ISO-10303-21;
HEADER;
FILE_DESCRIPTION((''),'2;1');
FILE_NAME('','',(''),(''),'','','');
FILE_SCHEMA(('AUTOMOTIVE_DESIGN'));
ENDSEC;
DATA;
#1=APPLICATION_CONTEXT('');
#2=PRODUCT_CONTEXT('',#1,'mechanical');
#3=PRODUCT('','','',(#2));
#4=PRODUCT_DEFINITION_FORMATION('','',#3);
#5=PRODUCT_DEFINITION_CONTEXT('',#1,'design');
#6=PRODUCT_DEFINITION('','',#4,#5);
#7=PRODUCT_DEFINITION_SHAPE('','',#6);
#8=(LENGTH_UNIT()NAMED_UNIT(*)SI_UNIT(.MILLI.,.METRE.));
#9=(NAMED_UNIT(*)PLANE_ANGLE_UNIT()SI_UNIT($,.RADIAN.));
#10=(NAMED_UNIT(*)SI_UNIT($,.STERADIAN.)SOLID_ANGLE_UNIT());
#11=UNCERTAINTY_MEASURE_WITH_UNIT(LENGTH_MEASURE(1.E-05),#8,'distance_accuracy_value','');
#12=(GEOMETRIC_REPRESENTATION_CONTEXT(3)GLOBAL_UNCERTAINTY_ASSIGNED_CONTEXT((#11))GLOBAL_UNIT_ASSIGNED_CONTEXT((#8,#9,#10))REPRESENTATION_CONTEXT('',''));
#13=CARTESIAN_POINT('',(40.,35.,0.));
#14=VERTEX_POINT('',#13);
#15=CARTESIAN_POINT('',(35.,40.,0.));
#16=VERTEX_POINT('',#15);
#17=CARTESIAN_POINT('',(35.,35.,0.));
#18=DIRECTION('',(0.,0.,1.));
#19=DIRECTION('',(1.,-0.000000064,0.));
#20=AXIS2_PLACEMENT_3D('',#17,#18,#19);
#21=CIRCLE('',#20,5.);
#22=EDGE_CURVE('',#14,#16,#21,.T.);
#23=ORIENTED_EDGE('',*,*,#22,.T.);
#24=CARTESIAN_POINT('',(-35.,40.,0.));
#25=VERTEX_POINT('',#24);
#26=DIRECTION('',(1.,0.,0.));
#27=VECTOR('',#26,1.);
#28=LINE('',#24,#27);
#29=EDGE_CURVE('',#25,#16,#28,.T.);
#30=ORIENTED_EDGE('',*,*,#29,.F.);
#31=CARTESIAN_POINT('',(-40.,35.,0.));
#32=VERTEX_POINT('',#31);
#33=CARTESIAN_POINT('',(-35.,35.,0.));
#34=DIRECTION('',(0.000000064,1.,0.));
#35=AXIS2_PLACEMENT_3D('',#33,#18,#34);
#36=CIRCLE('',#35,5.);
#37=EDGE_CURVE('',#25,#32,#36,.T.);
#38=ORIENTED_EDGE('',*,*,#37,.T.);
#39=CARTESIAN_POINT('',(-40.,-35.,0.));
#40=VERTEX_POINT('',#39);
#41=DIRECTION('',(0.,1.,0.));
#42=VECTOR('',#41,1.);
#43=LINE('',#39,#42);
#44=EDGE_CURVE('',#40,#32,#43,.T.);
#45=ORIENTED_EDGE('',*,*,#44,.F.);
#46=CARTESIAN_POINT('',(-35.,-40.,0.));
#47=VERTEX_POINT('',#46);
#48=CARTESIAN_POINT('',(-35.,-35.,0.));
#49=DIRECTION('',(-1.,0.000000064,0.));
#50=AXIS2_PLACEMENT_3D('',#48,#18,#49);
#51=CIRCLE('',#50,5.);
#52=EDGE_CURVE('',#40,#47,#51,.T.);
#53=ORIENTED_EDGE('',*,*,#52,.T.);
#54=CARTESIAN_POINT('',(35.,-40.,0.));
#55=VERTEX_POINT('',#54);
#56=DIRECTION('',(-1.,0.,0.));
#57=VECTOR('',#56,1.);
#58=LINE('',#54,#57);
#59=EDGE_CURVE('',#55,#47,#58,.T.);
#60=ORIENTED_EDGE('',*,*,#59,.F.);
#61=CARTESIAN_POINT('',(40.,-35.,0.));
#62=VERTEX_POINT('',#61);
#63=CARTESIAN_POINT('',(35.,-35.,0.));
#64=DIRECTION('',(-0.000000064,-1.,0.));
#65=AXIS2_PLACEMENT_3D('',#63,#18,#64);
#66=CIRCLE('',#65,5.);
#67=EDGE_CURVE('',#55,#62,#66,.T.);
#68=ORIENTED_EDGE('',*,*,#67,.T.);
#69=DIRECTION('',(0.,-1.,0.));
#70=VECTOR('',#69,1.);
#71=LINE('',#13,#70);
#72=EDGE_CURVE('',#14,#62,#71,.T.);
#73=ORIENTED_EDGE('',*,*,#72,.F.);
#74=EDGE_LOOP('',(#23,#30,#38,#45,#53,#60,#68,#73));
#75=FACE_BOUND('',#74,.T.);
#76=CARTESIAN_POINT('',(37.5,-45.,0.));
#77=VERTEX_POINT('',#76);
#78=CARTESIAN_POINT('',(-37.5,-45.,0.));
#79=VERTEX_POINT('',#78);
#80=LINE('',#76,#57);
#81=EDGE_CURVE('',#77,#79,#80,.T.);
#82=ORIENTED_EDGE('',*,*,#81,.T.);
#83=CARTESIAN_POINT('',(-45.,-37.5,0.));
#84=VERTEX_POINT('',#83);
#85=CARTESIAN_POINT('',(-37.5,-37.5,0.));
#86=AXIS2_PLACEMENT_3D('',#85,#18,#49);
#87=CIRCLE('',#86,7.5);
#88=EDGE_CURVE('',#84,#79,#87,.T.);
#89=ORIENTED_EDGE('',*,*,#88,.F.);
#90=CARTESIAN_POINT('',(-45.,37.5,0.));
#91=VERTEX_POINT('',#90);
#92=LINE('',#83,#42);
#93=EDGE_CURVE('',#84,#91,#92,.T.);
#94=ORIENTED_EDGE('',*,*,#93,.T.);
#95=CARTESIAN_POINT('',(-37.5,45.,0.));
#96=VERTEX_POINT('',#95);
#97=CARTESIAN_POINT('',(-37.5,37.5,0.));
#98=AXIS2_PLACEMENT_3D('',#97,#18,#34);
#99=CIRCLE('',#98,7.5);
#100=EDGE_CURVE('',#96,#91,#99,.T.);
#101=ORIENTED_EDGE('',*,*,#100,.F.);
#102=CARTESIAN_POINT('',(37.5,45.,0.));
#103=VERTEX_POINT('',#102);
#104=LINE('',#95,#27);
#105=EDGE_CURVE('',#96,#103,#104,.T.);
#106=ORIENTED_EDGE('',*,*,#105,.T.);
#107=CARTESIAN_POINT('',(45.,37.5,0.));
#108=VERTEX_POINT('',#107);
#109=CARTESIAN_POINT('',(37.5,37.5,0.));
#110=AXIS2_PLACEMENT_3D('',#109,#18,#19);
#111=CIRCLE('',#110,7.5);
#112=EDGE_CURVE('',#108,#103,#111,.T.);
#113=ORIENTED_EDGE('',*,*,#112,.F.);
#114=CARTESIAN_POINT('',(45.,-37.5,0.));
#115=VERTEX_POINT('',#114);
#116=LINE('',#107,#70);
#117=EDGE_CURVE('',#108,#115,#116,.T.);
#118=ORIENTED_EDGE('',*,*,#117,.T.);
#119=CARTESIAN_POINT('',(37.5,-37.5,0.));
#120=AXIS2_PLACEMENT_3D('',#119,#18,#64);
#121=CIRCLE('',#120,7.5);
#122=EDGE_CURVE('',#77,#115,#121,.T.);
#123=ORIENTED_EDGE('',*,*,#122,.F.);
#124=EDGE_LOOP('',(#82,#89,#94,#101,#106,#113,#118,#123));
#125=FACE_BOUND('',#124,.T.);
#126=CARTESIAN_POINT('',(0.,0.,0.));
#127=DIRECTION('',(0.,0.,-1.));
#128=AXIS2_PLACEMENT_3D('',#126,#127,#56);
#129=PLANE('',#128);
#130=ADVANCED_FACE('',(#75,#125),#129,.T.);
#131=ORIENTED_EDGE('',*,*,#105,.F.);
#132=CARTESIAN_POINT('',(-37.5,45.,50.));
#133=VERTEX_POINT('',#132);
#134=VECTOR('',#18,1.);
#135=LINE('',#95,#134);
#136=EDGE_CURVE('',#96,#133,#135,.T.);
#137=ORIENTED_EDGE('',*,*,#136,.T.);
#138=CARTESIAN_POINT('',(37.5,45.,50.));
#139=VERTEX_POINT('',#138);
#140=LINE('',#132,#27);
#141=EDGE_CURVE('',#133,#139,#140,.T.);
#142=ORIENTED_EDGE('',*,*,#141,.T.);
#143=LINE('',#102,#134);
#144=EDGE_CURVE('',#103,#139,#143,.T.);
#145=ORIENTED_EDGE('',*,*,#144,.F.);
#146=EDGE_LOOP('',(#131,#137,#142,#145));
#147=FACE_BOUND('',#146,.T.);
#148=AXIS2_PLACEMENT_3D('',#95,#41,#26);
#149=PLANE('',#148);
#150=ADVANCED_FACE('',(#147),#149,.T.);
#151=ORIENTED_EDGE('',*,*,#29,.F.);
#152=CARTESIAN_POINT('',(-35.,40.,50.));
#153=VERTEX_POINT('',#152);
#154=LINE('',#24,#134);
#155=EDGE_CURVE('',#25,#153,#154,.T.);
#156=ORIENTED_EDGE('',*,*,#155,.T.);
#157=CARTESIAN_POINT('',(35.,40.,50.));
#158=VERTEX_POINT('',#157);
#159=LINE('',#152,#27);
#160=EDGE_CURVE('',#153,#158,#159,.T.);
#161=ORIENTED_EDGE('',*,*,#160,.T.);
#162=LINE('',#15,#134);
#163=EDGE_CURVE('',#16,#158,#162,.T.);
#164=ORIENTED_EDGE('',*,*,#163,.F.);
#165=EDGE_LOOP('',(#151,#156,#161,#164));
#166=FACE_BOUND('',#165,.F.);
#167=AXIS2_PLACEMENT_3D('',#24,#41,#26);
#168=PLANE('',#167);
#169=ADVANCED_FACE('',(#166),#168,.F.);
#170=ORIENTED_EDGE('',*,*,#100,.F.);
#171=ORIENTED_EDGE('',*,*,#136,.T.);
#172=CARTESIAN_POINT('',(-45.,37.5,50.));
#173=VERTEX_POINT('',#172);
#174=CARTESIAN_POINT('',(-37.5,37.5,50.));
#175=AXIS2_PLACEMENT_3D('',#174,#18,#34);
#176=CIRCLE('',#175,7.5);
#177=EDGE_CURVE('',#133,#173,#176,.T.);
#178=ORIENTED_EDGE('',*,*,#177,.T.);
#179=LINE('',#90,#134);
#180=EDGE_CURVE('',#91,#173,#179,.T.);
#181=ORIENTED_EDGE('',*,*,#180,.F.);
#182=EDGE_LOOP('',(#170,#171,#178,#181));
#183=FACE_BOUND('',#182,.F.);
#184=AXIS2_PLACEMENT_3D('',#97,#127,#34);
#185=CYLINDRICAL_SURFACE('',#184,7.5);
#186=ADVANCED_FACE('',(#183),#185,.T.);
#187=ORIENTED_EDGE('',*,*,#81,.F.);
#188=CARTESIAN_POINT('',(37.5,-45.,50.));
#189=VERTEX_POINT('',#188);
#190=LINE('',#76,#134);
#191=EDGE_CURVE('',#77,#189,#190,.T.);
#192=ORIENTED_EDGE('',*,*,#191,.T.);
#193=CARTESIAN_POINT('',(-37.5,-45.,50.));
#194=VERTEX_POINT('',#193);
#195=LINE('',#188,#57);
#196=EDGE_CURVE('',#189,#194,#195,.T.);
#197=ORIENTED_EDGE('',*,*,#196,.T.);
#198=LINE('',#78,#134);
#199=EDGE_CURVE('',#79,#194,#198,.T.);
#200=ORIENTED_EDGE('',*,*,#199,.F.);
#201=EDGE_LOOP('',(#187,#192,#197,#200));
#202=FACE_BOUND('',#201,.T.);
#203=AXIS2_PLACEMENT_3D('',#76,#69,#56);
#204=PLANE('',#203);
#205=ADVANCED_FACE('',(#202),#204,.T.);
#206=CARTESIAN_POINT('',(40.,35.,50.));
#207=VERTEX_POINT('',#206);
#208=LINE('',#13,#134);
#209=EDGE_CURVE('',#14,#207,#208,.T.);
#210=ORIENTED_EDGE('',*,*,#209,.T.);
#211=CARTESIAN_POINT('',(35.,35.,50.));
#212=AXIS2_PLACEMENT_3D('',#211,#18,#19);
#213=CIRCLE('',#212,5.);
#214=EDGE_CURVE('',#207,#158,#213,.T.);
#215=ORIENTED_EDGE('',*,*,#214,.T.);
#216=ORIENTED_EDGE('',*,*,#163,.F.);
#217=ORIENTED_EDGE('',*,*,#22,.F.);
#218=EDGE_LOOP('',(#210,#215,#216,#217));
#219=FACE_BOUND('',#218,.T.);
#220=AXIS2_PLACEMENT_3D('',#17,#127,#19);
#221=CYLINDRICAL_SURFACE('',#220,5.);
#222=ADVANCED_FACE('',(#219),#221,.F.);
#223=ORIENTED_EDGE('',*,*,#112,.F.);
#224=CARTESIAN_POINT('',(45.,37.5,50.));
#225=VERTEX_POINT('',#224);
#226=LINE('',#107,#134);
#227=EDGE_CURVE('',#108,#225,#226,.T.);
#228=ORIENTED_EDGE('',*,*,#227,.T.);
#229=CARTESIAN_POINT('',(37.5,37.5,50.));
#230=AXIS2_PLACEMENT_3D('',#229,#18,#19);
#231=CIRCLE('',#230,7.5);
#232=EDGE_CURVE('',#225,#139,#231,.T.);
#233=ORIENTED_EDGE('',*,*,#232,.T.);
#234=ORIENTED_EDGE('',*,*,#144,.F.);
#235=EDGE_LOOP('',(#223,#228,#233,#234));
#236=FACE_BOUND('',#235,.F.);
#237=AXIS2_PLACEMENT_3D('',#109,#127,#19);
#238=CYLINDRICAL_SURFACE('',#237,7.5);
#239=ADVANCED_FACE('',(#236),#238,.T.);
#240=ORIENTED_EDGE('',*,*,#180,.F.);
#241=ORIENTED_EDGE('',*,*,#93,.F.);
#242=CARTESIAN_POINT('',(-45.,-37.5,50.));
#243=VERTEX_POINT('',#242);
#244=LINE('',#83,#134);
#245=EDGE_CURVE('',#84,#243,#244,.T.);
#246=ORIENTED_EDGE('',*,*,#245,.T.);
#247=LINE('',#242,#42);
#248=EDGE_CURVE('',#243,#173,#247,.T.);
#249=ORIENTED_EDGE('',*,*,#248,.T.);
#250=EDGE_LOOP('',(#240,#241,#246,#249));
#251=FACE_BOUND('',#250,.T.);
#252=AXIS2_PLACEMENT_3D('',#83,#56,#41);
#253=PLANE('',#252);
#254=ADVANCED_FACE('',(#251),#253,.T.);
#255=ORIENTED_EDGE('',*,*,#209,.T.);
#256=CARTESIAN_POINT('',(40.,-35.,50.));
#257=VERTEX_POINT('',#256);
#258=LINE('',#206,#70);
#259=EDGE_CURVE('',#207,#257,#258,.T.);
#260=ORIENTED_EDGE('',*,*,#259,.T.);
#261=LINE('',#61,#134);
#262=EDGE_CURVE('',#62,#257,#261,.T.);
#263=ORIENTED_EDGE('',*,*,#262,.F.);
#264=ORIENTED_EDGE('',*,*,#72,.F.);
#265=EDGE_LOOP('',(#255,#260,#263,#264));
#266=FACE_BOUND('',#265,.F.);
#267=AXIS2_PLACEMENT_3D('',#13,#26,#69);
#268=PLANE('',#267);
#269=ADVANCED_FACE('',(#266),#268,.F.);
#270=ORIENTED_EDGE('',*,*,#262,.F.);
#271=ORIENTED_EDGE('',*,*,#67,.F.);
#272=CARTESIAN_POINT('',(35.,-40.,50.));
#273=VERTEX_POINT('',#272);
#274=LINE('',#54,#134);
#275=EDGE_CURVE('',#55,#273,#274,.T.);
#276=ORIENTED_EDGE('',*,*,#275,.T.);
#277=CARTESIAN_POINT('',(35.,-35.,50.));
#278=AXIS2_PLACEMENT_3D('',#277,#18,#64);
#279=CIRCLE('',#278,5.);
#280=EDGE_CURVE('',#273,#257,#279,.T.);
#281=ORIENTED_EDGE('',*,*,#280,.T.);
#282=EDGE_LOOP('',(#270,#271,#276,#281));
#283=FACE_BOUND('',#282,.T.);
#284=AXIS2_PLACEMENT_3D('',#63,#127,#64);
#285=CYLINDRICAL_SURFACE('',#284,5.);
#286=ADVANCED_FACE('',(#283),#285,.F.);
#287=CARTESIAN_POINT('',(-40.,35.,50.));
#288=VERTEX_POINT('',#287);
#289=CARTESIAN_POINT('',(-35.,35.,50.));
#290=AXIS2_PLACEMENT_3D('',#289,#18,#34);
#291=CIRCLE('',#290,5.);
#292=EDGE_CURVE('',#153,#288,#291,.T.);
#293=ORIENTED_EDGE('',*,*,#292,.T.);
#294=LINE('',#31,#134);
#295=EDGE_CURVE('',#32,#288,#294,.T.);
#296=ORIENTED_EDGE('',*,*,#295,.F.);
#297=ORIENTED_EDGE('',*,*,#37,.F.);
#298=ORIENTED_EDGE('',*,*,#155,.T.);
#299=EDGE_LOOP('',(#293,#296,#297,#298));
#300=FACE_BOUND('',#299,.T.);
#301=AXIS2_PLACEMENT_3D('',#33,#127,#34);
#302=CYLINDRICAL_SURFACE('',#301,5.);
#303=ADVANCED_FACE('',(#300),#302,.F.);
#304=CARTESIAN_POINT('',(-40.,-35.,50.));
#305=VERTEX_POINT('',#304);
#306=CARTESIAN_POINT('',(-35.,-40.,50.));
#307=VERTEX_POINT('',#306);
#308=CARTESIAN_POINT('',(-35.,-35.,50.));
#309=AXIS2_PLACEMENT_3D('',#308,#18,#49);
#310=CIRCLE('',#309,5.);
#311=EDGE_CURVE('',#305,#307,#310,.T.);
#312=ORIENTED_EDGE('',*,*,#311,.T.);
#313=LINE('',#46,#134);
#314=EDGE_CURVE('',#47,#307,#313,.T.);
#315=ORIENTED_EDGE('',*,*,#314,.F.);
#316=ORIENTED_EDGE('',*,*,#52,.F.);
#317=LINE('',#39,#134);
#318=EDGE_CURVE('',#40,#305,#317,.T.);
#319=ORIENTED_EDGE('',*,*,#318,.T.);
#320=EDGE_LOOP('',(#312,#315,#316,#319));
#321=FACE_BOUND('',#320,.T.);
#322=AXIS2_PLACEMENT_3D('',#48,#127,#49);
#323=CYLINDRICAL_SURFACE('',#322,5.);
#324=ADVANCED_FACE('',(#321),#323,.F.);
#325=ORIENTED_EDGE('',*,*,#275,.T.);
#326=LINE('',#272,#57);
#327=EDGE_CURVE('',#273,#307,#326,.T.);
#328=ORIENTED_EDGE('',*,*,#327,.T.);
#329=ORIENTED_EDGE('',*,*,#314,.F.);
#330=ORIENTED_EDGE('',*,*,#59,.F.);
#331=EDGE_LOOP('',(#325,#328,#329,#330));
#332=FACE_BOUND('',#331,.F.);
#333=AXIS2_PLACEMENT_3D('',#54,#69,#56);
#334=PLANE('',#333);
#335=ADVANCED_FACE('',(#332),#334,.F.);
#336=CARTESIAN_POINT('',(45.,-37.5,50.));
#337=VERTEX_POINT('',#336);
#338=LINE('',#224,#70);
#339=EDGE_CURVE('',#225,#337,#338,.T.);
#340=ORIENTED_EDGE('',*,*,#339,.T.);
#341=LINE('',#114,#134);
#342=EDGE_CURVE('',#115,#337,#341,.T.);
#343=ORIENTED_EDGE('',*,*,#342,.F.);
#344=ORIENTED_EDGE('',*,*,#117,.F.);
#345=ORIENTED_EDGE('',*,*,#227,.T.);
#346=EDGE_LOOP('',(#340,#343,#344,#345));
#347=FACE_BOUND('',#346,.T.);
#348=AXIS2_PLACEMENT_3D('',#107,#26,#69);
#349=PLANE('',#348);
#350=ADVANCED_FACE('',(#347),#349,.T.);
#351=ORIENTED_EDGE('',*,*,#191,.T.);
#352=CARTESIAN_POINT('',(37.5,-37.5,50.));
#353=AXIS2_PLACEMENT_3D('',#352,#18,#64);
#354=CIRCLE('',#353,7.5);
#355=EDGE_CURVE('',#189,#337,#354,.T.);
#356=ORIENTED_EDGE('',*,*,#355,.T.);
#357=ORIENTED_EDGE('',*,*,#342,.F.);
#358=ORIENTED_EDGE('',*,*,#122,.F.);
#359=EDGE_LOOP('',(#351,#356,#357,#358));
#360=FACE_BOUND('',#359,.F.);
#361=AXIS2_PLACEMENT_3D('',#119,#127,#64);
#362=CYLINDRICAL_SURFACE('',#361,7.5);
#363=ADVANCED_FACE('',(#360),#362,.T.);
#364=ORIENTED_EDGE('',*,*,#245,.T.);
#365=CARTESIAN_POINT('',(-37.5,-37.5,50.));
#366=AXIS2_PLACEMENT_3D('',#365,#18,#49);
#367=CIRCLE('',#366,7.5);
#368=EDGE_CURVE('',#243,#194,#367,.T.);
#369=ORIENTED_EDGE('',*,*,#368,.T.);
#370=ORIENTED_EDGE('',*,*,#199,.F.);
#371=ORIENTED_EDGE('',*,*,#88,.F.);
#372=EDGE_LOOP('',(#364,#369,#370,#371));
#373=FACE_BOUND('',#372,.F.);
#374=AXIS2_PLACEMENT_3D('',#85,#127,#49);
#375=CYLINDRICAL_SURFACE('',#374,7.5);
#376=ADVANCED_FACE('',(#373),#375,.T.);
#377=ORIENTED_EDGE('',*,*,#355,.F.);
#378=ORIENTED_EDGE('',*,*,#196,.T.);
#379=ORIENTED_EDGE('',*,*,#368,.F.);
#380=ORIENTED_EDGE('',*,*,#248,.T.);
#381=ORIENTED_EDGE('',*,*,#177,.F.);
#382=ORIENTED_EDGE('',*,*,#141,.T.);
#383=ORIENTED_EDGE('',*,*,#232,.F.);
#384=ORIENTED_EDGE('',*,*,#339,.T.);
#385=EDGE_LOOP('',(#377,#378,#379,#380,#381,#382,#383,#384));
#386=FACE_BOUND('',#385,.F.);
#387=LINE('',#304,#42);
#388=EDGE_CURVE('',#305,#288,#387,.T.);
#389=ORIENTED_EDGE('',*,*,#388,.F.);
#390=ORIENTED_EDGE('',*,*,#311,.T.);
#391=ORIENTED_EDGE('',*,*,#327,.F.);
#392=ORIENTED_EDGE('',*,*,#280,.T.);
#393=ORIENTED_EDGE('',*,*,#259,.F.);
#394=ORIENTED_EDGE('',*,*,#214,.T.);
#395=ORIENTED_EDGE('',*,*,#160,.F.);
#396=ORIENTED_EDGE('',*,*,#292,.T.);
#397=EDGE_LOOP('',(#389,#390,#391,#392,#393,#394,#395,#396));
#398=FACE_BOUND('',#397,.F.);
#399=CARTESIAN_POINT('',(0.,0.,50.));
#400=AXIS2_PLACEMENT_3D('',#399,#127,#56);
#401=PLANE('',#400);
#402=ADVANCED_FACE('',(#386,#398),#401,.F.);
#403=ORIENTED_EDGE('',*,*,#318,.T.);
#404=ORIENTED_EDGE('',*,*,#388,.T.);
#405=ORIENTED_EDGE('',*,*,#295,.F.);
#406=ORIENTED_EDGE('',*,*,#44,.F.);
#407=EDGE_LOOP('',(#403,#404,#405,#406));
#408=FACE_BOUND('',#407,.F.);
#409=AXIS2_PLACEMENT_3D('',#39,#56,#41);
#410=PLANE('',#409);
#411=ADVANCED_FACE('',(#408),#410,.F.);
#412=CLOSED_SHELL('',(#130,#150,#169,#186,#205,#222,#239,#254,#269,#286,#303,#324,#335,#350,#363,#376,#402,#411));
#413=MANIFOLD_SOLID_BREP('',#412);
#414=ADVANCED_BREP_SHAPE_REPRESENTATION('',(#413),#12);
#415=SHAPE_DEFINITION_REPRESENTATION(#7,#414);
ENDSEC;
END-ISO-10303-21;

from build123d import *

# Parameters (mm, degrees)
EXTRUDE_DEPTH = 50


with BuildPart() as part:
    # Sketch → Extrude (new body)
    with BuildSketch(Plane.XY):
        with BuildLine():
            Line((-37.5, 45), (37.5, 45))
            ThreePointArc((45, 37.5), (42.803301, 42.803301), (37.5, 45))
            Line((45, 37.5), (45, -37.5))
            ThreePointArc((37.5, -45), (42.803301, -42.803301), (45, -37.5))
            Line((37.5, -45), (-37.5, -45))
            ThreePointArc((-45, -37.5), (-42.803301, -42.803301), (-37.5, -45))
            Line((-45, -37.5), (-45, 37.5))
            ThreePointArc((-37.5, 45), (-42.803301, 42.803301), (-45, 37.5))
        make_face()
        with BuildLine():
            Line((-35, 40), (35, 40))
            ThreePointArc((40, 35), (38.535534, 38.535534), (35, 40))
            Line((40, 35), (40, -35))
            ThreePointArc((35, -40), (38.535534, -38.535534), (40, -35))
            Line((35, -40), (-35, -40))
            ThreePointArc((-40, -35), (-38.535534, -38.535534), (-35, -40))
            Line((-40, -35), (-40, 35))
            ThreePointArc((-35, 40), (-38.535534, 38.535534), (-40, 35))
        make_face(mode=Mode.SUBTRACT)
    extrude(amount=EXTRUDE_DEPTH)


solid = part.part
